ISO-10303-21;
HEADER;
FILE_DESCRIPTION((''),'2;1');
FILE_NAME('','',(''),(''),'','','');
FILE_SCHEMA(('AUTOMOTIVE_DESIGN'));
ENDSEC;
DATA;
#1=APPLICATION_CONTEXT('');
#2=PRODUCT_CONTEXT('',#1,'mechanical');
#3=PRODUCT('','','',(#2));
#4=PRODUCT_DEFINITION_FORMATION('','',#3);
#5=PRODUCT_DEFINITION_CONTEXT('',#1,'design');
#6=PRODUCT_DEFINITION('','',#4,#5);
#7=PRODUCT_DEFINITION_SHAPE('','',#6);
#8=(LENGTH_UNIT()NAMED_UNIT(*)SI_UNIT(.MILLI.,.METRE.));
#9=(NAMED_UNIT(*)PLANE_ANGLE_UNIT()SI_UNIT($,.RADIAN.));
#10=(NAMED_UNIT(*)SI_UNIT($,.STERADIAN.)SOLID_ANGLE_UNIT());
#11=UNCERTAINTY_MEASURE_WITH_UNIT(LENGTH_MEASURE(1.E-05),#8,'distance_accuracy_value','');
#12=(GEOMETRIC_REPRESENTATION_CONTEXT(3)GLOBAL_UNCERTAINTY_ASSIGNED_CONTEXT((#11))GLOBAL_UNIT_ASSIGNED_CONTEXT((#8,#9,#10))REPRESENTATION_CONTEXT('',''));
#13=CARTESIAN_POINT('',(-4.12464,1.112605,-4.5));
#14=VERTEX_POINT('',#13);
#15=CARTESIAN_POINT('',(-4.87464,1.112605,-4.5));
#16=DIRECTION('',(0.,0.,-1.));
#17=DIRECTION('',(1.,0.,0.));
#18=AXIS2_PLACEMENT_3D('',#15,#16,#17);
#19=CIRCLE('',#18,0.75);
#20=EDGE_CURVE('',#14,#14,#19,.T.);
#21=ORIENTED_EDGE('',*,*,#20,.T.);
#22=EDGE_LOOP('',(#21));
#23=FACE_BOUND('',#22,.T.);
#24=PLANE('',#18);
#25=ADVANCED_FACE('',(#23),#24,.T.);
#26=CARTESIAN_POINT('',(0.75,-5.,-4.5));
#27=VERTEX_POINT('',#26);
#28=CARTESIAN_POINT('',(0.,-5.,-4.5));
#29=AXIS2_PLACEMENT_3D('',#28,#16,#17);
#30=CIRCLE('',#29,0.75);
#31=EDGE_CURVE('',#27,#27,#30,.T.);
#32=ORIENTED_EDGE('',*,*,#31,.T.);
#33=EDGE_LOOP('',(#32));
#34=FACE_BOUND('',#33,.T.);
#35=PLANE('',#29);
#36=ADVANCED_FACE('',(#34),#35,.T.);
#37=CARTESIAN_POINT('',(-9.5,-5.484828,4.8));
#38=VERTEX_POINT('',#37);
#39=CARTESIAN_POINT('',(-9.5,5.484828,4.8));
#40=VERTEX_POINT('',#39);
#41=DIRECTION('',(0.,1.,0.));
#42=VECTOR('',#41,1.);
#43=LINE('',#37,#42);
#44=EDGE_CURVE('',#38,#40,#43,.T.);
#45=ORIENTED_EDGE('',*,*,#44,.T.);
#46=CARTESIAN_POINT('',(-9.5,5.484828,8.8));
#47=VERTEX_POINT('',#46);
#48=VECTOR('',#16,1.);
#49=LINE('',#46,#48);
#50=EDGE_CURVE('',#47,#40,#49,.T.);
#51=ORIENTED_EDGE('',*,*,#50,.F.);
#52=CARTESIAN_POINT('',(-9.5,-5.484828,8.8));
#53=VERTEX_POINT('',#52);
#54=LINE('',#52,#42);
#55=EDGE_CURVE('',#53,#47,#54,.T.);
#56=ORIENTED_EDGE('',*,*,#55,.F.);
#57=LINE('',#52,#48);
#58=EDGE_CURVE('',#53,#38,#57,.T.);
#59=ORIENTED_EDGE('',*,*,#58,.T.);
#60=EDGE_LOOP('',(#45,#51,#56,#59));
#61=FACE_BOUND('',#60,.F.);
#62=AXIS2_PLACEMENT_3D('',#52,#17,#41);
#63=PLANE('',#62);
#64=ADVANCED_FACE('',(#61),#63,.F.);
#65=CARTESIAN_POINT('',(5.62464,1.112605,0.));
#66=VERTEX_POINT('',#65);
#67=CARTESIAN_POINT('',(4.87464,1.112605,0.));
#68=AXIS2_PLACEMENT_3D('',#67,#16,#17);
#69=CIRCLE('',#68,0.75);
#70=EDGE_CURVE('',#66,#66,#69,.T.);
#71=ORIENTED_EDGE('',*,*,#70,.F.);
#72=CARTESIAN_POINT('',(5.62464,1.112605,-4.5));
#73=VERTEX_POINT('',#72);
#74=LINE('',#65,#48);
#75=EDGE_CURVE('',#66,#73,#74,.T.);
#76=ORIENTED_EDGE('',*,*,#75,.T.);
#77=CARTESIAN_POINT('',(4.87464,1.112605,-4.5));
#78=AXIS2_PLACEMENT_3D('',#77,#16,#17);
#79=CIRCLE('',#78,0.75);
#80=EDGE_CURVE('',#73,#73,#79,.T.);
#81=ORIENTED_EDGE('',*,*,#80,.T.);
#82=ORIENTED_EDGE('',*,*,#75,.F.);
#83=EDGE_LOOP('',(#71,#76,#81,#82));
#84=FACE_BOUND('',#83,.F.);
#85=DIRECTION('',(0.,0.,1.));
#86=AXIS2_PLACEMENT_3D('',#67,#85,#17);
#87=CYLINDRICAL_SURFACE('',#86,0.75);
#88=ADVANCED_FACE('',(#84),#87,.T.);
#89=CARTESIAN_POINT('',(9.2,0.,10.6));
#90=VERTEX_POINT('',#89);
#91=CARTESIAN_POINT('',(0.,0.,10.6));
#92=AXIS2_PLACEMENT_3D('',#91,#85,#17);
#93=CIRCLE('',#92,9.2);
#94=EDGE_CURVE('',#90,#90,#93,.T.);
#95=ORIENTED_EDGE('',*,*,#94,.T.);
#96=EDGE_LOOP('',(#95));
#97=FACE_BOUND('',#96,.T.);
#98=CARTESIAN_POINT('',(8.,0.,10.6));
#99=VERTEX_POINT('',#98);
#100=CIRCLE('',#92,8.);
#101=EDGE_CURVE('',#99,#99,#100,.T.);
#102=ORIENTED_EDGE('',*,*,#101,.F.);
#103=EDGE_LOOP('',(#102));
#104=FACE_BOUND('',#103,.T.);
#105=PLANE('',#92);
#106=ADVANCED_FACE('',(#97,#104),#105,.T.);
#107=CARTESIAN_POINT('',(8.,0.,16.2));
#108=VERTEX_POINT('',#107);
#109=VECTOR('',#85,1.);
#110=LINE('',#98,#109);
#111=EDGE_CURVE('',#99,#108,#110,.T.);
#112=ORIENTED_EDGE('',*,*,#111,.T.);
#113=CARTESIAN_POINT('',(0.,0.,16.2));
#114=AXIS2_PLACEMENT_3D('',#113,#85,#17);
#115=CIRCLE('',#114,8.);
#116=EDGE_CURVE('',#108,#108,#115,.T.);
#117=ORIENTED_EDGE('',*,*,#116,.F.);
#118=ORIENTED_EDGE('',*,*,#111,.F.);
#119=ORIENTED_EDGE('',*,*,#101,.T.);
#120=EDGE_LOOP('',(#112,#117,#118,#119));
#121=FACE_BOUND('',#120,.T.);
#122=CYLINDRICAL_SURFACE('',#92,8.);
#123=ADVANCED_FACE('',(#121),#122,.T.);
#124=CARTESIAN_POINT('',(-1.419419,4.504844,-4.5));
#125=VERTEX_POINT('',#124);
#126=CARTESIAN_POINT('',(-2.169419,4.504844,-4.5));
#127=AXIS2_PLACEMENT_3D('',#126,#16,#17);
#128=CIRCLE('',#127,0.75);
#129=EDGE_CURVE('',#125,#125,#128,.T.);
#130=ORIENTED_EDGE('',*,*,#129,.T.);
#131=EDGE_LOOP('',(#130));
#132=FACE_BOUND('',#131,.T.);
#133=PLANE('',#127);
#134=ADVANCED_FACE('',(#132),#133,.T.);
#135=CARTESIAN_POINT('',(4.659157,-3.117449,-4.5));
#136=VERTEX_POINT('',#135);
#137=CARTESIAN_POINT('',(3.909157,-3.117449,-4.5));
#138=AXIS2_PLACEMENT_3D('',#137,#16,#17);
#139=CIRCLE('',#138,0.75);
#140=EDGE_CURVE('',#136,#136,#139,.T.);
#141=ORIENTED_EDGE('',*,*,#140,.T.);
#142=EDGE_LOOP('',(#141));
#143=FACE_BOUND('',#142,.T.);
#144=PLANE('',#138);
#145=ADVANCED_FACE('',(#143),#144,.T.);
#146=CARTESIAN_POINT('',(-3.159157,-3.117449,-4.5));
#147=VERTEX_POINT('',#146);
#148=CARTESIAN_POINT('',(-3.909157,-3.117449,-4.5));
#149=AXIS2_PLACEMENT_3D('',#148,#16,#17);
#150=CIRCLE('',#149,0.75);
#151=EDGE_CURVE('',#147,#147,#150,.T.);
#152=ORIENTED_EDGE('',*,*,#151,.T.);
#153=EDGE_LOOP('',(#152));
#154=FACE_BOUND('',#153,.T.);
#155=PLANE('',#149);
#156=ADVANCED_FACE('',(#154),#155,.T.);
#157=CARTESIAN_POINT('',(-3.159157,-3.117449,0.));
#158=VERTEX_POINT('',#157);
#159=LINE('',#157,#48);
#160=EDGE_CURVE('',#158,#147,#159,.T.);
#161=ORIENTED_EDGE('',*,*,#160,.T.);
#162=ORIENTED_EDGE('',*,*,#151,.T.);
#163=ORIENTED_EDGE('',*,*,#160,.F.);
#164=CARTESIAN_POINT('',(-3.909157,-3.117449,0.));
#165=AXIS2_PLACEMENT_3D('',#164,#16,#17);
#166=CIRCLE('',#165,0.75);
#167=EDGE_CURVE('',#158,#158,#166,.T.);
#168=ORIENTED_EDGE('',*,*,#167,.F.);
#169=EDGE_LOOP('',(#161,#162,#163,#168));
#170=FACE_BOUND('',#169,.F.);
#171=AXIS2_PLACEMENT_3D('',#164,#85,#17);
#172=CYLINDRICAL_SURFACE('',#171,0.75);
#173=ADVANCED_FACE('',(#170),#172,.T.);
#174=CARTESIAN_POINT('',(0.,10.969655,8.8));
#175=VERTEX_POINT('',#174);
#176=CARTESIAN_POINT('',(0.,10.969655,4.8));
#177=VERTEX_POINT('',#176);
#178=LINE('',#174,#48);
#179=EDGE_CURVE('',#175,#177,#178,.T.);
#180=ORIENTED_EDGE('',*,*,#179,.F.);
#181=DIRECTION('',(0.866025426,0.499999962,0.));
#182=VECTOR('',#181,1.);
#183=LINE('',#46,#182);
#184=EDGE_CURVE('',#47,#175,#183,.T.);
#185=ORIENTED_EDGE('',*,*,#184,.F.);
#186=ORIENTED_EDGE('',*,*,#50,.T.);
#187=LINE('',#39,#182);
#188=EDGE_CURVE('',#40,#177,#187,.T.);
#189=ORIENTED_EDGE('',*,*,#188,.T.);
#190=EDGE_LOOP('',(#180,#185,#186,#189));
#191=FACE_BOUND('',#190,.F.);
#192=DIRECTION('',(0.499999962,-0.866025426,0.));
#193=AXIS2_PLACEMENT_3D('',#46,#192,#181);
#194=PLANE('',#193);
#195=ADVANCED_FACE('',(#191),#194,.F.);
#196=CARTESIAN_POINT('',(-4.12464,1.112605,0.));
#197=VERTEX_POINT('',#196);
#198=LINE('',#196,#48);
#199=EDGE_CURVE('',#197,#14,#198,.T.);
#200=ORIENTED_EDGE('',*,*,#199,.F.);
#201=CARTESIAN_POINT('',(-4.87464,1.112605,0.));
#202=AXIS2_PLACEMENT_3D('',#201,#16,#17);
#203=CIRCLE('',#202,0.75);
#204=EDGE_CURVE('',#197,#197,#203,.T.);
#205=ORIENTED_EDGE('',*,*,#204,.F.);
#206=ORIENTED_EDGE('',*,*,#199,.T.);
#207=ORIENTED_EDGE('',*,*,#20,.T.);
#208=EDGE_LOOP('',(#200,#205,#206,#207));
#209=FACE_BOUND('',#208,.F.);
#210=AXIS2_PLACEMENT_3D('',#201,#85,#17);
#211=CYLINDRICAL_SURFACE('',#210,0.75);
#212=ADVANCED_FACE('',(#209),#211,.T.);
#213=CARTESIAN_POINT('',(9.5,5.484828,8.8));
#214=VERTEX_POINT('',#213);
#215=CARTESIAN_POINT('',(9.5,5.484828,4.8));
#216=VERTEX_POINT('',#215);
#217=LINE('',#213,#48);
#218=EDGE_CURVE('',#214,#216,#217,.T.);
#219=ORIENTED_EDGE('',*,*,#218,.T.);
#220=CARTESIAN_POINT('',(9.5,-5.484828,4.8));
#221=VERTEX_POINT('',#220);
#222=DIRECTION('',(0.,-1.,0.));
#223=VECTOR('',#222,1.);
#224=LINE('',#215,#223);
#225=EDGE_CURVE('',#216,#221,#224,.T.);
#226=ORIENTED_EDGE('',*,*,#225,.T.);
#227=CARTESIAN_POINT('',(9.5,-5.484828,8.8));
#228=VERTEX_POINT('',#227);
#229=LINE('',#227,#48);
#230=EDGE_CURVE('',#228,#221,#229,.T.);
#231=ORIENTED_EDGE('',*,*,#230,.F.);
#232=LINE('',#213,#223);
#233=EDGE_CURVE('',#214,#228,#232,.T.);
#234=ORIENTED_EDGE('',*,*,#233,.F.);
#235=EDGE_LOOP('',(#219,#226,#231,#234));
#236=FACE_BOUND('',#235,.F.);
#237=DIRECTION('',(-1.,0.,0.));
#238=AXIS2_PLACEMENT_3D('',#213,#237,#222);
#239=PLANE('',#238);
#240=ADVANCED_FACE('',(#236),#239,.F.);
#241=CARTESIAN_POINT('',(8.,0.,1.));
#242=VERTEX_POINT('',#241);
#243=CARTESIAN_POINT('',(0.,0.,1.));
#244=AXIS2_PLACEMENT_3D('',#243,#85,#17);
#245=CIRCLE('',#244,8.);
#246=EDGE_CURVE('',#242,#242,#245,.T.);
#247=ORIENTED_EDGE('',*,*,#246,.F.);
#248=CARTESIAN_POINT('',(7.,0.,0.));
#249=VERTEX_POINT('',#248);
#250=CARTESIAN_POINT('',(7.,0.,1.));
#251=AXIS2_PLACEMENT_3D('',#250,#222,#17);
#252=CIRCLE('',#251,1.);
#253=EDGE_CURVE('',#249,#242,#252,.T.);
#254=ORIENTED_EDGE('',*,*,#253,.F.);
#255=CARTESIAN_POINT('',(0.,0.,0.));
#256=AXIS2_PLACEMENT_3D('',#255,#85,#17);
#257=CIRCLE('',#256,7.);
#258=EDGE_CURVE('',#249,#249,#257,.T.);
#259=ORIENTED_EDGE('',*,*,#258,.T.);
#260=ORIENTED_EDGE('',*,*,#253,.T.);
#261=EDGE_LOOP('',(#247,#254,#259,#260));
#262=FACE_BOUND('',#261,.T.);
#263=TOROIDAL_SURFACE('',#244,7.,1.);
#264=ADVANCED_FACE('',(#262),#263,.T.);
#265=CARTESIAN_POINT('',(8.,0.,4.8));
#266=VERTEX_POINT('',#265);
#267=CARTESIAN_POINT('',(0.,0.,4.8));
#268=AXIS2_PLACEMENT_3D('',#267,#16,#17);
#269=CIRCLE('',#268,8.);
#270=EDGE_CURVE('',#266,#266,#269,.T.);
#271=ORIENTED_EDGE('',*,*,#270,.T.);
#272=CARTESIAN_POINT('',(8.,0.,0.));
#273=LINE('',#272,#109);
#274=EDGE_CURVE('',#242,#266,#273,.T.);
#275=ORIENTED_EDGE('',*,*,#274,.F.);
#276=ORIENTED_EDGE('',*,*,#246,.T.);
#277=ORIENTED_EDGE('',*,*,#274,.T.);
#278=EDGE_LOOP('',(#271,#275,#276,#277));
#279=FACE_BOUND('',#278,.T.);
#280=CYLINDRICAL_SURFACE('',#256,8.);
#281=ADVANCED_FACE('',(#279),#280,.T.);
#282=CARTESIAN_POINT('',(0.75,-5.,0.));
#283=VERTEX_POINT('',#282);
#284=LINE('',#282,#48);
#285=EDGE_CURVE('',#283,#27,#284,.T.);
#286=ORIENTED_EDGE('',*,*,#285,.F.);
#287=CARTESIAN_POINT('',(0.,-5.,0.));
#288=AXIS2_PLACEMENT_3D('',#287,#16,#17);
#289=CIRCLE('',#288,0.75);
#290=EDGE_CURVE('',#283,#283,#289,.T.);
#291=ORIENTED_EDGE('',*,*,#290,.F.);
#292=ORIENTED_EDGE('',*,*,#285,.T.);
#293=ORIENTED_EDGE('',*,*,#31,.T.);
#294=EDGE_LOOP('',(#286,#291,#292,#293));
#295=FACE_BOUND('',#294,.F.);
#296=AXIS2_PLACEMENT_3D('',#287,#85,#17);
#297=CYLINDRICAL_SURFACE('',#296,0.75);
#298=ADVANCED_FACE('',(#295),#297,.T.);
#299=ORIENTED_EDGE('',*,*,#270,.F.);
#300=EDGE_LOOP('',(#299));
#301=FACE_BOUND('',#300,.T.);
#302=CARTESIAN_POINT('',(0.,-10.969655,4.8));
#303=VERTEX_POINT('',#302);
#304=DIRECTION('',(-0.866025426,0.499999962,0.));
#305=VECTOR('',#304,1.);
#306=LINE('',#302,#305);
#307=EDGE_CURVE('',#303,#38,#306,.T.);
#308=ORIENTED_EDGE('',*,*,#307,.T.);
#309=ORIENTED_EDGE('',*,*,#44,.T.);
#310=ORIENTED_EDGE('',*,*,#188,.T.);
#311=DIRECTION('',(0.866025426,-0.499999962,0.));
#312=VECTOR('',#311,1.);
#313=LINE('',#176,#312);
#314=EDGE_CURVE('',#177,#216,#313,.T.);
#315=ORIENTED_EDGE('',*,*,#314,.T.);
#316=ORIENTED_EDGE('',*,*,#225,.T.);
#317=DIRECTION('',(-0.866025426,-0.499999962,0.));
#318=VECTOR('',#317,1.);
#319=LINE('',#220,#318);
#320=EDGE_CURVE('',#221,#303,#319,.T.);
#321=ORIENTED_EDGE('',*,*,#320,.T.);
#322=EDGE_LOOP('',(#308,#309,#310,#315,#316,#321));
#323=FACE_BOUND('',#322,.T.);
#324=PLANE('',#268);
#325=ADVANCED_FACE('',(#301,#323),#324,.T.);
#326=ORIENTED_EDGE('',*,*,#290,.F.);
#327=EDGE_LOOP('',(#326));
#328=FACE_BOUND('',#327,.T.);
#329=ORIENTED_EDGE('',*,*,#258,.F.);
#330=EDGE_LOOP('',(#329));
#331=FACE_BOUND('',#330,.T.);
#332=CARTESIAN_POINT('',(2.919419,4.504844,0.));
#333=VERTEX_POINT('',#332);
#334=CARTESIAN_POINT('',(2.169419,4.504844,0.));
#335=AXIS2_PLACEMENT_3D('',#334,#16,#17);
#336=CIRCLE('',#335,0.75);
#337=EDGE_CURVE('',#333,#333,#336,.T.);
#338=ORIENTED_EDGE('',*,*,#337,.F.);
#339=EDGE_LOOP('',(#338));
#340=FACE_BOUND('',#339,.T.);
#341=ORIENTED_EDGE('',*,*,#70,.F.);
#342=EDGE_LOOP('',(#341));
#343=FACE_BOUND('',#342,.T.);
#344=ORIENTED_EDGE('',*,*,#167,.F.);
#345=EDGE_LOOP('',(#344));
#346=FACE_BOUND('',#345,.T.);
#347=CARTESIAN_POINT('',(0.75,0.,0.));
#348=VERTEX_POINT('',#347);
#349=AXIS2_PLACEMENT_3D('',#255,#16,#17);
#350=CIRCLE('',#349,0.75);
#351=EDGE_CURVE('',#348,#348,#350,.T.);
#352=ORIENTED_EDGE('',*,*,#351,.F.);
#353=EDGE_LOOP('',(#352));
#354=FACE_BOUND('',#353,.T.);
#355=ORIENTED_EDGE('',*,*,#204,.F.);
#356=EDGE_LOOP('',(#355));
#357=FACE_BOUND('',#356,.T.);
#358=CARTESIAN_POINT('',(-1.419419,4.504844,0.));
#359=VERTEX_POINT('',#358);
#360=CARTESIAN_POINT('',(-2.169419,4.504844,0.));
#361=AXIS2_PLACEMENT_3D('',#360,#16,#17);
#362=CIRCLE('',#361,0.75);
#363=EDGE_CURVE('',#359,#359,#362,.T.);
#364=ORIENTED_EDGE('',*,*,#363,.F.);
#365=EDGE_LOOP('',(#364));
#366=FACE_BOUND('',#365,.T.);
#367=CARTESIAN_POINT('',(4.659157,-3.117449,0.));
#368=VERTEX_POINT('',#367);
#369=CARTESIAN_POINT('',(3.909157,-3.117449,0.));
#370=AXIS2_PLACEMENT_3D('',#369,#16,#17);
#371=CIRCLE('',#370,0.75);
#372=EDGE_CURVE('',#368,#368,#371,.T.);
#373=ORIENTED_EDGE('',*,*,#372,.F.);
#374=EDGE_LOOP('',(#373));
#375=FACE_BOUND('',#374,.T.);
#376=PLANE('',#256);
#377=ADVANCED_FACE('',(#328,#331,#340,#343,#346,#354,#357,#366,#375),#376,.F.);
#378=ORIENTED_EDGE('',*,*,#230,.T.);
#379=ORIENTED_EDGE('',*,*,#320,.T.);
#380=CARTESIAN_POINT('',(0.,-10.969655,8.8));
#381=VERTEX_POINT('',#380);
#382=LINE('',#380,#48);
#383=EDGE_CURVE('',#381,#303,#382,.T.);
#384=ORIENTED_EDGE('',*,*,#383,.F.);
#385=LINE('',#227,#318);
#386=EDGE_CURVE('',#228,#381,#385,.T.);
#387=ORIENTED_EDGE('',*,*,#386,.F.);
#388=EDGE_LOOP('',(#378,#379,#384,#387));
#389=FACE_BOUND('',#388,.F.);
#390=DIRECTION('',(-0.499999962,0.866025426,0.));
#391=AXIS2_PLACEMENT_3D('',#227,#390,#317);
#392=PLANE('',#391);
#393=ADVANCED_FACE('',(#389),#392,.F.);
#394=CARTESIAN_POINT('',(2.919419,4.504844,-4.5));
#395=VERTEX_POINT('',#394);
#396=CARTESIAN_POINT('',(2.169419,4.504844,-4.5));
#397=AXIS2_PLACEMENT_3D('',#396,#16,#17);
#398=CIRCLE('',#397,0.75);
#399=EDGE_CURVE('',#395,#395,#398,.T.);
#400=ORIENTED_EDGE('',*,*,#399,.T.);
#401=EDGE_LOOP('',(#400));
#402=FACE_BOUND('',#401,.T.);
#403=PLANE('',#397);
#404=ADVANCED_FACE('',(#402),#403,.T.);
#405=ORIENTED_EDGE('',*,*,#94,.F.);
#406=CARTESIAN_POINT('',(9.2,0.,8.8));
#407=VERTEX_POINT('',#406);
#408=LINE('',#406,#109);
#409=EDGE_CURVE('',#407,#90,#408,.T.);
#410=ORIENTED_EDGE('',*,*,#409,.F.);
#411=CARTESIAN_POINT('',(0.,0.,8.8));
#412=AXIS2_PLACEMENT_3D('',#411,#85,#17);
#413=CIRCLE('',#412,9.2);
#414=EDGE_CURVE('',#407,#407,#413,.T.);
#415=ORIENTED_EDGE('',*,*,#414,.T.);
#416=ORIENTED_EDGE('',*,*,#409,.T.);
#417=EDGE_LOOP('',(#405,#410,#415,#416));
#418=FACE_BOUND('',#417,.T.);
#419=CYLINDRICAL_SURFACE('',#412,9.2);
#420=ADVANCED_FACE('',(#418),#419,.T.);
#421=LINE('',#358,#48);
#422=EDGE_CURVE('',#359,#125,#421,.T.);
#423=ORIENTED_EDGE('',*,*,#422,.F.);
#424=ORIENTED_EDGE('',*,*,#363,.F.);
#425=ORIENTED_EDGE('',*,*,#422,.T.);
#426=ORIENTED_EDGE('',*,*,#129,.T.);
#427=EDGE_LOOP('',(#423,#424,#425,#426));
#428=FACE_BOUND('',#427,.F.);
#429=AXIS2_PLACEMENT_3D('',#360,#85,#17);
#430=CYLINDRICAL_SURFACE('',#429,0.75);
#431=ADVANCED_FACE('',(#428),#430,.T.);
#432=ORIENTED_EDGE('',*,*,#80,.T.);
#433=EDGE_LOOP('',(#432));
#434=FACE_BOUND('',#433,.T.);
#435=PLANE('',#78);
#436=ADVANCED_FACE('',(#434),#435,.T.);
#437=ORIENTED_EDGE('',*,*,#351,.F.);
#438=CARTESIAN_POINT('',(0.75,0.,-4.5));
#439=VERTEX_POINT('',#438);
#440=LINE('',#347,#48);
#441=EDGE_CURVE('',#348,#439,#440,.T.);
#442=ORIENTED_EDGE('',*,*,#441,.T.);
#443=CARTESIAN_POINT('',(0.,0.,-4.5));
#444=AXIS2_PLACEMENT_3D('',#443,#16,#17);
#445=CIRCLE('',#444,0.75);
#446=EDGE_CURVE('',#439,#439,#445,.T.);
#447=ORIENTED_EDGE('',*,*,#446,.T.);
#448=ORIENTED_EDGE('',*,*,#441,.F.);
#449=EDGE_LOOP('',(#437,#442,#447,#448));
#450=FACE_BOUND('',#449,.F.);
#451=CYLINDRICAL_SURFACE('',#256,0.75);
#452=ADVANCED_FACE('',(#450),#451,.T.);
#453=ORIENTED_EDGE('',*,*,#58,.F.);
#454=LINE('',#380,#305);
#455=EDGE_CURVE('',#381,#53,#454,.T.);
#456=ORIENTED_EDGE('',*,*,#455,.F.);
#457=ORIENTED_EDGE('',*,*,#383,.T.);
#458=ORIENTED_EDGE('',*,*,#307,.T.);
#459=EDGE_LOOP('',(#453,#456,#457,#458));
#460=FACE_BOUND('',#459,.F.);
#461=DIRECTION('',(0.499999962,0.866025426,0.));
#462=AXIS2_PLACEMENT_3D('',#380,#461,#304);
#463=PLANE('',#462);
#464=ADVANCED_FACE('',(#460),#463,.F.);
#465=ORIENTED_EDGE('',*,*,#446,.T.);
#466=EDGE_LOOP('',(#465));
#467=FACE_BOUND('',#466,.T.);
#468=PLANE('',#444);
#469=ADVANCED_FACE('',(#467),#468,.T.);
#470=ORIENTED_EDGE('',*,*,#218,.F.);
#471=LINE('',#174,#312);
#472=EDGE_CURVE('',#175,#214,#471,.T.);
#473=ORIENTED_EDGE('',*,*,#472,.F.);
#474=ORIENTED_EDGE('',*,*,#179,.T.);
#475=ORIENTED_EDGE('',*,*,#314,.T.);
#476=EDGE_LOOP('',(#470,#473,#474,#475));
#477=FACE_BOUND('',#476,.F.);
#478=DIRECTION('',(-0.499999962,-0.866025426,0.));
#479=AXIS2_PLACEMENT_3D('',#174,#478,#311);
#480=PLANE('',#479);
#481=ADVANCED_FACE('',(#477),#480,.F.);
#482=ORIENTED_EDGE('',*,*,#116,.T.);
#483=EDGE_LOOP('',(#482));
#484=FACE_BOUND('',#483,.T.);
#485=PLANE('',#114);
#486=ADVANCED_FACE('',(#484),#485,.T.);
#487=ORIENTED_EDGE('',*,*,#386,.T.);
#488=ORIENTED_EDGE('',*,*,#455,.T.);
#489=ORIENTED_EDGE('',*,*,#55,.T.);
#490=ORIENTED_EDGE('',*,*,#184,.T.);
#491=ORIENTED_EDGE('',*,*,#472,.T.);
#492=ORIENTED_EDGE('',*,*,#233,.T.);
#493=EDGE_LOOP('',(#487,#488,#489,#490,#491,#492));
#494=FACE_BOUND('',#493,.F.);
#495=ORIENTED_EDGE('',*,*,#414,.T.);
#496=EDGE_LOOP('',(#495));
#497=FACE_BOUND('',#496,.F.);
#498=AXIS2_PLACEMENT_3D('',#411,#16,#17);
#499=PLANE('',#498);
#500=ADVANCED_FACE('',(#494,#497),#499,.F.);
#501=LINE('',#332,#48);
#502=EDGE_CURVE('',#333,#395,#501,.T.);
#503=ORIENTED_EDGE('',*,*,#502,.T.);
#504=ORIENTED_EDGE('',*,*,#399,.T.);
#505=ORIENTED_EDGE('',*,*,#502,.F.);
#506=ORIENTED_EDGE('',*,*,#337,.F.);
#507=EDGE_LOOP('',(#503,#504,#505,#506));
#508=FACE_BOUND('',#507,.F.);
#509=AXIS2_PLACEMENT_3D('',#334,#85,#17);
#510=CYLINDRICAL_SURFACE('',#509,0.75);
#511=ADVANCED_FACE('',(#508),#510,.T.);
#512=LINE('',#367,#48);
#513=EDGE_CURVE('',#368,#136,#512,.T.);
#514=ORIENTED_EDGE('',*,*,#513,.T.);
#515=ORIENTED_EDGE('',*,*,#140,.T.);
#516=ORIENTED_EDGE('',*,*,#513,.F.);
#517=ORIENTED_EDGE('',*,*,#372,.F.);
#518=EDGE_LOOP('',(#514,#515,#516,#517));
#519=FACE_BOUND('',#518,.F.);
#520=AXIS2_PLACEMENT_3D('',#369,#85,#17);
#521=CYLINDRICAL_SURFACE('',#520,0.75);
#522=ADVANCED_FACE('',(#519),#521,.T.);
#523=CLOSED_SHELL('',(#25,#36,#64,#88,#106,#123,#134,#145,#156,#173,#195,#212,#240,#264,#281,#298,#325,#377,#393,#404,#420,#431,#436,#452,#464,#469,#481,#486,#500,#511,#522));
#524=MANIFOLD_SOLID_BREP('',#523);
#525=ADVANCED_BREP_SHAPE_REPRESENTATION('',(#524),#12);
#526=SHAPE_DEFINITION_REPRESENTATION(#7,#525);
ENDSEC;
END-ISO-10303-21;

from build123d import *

# Parameters (mm, degrees)
F2_R     = 1
F3_R     = 0.75
F4_DEPTH = 4.5
F5_R     = 9.2
F5_R_2   = 8
F6_DEPTH = 4


with BuildPart() as f1:
    # F0 (on Front) → F1 (revolve)
    with BuildSketch(Plane.XZ):
        Polygon((0, 16.2), (0, 0), (8, 0), (8, 8.8), (9.2, 8.8), (9.2, 10.6), (8, 10.6), (8, 16.2), align=None)
    revolve(axis=Axis((0, 0, 8.1), (0, 0, 1)))

    # F2
    f2_edges = [f1.edges().sort_by_distance(p)[0] for p in [
        (-8, 0, 0),
    ]]
    fillet(f2_edges, radius=F2_R)

    # F3 (on face) → F4 (join)
    with BuildSketch(Plane(origin=(0, 0, 0), x_dir=(1, 0, 0), z_dir=(0, 0, -1))):
        Circle(F3_R)
        with Locations((0, 5)):
            Circle(F3_R)
        with Locations((-3.909157, 3.117449)):
            Circle(F3_R)
        with Locations((-4.87464, -1.112605)):
            Circle(F3_R)
        with Locations((-2.169419, -4.504844)):
            Circle(F3_R)
        with Locations((2.169419, -4.504844)):
            Circle(F3_R)
        with Locations((4.87464, -1.112605)):
            Circle(F3_R)
        with Locations((3.909157, 3.117449)):
            Circle(F3_R)
    extrude(amount=F4_DEPTH)

    # F5 (on face) → F6 (join)
    with BuildSketch(Plane(origin=(0, 0, 8.8), x_dir=(1, 0, 0), z_dir=(0, 0, -1))):
        Polygon((9.5, -5.484828), (9.5, 5.484828), (0, 10.969655), (-9.5, 5.484828), (-9.5, -5.484828), (0, -10.969655), align=None)
        Circle(F5_R, mode=Mode.SUBTRACT)
        Circle(F5_R)
        Circle(F5_R_2, mode=Mode.SUBTRACT)
    extrude(amount=F6_DEPTH)


solid = f1.part
